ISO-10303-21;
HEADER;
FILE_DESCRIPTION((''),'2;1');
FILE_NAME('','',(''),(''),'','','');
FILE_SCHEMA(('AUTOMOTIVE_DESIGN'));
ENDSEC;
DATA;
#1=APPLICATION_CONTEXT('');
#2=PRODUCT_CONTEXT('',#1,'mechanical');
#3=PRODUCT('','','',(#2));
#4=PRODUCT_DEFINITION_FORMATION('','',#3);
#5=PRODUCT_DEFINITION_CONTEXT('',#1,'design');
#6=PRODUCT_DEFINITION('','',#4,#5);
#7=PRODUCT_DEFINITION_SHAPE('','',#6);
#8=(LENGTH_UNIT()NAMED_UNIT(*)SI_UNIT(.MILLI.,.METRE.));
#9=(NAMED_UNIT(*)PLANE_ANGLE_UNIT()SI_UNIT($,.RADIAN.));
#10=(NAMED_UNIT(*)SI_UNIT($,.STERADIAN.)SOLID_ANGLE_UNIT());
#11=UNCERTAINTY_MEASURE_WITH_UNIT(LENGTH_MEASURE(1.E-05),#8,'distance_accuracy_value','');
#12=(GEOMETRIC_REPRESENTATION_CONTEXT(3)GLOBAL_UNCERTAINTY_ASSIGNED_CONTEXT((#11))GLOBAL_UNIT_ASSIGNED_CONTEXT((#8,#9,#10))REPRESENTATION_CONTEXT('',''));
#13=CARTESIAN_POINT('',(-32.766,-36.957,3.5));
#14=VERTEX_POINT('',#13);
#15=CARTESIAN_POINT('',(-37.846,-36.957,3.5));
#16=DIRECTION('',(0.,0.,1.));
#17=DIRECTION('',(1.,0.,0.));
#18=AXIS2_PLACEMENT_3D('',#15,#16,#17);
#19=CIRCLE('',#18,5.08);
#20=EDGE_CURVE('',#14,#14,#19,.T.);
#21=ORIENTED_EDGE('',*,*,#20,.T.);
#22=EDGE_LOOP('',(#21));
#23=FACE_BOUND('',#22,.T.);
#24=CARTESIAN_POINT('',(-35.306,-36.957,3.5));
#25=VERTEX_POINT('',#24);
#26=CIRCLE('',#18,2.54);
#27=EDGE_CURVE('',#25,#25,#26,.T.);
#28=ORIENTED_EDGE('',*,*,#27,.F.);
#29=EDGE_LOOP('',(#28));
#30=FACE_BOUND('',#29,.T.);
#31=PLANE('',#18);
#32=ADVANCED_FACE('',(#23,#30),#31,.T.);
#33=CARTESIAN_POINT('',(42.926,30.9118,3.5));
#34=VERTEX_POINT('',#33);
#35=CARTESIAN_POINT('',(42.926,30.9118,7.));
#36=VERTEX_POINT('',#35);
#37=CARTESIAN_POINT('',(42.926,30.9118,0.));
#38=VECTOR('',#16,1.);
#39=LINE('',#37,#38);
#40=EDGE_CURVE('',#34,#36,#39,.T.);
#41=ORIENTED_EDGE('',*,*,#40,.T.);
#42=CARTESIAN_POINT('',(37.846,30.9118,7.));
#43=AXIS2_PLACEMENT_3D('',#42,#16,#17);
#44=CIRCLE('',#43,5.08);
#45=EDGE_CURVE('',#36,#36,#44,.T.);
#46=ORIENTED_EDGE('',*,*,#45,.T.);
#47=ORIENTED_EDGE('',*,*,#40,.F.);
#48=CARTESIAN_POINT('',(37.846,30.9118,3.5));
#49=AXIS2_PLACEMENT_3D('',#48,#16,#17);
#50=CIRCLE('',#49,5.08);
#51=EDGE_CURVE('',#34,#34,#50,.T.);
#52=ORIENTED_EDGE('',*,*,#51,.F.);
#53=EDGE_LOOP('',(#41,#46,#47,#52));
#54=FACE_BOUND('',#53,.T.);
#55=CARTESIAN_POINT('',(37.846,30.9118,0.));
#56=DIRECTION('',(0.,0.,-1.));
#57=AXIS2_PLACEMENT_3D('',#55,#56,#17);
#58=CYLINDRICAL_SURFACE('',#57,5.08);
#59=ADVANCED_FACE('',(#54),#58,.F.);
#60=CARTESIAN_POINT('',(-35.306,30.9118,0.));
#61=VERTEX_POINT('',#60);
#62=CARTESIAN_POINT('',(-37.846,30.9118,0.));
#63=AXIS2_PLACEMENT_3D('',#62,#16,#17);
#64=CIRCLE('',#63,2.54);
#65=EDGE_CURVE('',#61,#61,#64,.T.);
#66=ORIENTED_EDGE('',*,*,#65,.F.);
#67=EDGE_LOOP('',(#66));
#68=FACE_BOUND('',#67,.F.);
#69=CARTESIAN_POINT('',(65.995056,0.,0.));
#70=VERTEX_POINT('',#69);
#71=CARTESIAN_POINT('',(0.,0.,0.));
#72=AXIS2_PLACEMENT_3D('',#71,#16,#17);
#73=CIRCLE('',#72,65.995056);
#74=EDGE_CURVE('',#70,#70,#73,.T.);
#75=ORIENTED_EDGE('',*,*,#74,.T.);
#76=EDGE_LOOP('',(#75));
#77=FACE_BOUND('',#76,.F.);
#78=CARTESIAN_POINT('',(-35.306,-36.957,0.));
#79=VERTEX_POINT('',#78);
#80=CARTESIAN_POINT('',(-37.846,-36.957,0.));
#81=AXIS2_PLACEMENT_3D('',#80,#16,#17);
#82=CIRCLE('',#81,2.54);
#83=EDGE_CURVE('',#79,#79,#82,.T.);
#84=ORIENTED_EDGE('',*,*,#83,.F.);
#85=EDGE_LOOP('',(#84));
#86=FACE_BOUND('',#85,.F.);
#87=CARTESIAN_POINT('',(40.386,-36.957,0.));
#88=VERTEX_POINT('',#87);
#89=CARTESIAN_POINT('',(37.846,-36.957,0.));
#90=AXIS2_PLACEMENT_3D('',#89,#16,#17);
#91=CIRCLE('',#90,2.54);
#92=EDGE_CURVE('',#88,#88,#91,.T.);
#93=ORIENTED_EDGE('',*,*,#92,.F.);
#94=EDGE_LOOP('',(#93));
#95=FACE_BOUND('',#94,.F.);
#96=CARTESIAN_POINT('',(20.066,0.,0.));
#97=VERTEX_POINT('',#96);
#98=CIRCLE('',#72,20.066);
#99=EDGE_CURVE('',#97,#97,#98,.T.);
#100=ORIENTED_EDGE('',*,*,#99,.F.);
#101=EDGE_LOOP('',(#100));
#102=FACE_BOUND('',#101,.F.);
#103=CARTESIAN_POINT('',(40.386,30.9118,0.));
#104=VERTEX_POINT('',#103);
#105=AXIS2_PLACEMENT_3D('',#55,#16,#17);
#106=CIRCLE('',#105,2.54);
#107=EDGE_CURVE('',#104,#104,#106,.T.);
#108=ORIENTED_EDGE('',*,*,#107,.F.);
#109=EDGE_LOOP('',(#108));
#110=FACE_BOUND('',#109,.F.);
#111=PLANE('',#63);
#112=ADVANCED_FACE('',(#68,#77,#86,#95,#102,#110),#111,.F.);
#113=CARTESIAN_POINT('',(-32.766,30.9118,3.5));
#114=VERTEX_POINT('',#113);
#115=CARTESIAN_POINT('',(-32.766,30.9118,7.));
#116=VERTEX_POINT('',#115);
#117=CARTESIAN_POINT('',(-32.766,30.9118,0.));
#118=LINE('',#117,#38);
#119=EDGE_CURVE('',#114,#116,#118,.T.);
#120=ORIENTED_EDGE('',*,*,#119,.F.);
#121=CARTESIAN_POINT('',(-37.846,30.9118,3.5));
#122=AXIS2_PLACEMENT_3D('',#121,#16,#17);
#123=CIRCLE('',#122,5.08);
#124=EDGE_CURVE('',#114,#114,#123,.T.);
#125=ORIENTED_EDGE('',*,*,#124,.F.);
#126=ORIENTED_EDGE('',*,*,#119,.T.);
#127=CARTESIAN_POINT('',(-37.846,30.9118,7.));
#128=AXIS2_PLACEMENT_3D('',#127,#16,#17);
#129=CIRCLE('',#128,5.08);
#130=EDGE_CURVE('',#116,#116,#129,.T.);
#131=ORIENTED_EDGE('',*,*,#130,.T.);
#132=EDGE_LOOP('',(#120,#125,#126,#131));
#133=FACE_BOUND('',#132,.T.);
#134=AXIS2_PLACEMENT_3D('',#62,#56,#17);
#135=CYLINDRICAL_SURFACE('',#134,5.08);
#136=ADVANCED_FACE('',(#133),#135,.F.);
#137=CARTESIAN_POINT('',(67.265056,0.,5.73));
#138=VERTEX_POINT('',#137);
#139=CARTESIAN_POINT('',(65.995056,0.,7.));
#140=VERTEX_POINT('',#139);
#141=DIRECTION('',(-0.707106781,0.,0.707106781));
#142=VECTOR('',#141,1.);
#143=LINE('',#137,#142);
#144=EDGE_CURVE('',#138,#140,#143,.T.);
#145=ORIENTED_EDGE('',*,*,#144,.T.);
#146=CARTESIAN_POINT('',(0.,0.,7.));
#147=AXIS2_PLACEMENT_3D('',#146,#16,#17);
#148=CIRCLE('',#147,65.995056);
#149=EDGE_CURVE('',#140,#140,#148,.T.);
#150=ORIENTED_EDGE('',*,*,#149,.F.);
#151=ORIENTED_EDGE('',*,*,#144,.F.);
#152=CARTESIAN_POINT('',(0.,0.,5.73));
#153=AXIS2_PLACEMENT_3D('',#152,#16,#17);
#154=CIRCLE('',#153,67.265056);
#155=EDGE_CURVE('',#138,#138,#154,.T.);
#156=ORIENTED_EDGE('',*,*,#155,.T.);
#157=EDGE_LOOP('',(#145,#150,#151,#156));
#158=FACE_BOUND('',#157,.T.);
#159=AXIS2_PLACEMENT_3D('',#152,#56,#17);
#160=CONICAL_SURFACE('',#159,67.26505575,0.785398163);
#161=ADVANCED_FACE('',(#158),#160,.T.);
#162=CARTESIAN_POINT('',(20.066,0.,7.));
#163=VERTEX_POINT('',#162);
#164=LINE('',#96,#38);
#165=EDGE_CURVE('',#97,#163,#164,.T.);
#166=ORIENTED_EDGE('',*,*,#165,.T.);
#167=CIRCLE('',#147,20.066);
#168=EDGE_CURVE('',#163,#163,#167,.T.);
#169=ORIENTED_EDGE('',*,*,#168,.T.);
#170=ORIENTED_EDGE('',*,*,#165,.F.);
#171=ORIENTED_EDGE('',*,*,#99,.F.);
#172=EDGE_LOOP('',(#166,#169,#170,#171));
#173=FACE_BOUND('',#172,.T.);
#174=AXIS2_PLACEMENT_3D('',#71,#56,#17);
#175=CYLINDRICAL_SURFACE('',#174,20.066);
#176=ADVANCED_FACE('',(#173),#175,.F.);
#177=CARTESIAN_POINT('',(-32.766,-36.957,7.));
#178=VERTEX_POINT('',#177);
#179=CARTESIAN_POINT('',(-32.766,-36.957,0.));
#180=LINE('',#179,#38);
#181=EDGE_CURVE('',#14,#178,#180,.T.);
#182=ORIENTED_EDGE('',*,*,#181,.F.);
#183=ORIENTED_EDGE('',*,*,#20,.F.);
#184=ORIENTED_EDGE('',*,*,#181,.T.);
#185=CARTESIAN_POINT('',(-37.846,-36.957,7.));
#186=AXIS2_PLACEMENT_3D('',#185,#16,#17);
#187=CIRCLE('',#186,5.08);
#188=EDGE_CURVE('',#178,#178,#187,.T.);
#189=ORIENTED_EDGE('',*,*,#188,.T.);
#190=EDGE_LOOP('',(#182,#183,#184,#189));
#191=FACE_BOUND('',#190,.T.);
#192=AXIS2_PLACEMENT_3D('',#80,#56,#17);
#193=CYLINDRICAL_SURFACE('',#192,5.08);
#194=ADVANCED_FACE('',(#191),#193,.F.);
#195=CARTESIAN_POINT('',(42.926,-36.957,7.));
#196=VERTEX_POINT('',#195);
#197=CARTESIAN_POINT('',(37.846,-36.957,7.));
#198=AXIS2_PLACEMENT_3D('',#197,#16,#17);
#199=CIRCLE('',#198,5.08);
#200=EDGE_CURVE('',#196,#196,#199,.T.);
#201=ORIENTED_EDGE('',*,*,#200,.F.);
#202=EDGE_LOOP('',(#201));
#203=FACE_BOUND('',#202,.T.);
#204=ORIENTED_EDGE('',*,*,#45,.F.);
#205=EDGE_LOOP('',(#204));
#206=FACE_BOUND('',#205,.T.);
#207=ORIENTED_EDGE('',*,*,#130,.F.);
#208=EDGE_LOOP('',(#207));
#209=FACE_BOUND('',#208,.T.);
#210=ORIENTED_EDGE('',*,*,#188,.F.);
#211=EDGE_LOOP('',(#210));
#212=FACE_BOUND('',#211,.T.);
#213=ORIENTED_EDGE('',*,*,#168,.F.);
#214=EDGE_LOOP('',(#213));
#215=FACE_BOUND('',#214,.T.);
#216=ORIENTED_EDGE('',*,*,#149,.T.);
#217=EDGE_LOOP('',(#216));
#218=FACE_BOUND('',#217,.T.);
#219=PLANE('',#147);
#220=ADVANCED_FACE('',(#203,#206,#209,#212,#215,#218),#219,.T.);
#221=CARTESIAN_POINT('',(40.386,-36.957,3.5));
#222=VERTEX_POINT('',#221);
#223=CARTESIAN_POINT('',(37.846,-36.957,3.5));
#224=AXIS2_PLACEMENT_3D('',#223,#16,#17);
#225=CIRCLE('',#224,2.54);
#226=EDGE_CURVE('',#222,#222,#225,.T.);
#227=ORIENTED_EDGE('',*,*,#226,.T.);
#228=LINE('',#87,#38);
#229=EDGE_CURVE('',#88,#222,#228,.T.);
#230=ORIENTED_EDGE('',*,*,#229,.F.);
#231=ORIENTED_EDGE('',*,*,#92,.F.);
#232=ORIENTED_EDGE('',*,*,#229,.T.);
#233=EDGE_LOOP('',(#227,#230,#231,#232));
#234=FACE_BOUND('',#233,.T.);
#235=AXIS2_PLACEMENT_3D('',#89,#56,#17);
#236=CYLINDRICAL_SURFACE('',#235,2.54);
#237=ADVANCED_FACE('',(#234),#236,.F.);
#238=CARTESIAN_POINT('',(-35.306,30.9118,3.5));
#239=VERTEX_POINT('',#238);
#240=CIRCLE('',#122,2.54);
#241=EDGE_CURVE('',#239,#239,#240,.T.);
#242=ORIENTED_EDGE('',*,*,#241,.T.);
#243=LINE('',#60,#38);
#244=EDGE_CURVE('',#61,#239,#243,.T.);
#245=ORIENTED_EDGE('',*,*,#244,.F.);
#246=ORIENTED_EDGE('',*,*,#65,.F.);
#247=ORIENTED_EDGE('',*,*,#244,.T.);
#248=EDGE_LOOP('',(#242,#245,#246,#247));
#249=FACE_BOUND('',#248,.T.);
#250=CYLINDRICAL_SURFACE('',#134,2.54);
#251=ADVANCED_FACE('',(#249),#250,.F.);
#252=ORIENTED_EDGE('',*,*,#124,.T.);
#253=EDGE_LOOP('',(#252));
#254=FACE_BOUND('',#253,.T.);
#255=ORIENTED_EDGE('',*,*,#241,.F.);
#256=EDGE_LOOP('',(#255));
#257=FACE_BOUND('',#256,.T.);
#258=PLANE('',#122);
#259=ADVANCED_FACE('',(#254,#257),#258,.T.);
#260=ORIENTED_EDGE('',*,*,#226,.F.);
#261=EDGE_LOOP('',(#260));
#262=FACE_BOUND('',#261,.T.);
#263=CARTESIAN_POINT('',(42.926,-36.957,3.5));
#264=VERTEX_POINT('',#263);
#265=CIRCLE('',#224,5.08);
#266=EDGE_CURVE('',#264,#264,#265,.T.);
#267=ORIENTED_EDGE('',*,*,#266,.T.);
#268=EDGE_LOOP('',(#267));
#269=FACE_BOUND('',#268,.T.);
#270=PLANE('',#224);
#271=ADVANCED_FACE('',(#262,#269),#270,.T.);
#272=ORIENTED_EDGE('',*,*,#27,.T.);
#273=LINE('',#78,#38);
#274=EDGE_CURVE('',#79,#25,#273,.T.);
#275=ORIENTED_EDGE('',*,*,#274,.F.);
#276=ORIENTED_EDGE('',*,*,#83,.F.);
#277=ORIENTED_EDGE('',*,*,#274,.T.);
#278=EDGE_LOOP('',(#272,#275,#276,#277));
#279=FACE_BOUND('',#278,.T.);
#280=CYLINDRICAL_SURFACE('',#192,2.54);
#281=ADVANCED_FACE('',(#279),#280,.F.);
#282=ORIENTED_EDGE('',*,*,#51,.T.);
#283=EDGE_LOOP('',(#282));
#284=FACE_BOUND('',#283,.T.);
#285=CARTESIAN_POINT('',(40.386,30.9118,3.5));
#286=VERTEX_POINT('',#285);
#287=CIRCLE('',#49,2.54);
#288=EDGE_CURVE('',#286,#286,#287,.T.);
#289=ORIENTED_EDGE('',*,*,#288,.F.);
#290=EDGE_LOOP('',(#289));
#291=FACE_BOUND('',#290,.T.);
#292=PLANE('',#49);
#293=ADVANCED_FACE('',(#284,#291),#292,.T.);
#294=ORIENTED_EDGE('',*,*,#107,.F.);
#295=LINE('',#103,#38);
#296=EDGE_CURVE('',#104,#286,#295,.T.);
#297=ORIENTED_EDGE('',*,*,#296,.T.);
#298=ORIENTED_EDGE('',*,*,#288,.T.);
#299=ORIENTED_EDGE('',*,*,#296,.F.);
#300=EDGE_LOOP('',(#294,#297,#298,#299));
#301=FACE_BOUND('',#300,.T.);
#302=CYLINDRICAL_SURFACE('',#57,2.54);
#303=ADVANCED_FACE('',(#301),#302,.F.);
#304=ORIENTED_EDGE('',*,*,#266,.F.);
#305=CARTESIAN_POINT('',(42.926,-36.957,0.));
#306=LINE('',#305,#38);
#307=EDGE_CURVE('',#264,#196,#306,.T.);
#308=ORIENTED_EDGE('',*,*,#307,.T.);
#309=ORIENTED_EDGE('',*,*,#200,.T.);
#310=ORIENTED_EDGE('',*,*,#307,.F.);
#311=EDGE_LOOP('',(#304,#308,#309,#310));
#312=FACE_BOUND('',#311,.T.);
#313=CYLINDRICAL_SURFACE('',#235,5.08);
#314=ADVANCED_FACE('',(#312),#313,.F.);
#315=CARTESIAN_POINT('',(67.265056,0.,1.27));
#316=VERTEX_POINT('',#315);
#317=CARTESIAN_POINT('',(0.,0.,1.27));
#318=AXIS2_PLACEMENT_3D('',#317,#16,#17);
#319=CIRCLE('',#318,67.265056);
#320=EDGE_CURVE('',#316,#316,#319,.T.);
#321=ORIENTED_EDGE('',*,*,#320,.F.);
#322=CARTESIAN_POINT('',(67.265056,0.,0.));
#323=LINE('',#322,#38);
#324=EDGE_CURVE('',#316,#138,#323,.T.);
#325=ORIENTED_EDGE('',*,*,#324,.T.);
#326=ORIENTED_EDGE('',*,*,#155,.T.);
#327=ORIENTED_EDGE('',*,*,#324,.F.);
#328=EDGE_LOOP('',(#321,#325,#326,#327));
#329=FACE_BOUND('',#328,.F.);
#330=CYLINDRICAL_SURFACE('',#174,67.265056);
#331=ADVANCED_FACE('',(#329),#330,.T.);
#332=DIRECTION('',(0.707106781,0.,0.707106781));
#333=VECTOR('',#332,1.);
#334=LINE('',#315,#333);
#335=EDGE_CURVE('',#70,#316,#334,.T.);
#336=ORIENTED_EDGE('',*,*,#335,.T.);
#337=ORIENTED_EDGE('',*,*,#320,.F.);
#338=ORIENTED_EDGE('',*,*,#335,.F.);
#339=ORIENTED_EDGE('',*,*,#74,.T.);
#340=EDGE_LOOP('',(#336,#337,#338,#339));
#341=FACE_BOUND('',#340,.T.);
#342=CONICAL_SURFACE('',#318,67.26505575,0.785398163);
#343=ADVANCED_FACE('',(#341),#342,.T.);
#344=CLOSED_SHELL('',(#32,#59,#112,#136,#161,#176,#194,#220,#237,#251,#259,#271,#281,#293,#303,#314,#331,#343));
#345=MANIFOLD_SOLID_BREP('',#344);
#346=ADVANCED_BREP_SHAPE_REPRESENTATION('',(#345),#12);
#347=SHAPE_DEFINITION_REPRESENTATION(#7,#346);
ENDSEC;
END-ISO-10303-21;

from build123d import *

# Parameters (mm, degrees)
F2_R     = 67.2650557496
F2_R_2   = 5.08
F2_R_3   = 20.066
F3_DEPTH = 7
F1_R     = 5.08
F1_R_2   = 2.54
F4_DEPTH = 3.5
F5_SIZE  = 1.27


with BuildPart() as f3:
    # F2 (on Top) → F3 (new body)
    with BuildSketch(Plane.XY):
        Circle(F2_R)
        with Locations((-37.846, -36.957)):
            Circle(F2_R_2, mode=Mode.SUBTRACT)
        with Locations((37.846, -36.957)):
            Circle(F2_R_2, mode=Mode.SUBTRACT)
        with Locations((-37.846, 30.9118)):
            Circle(F2_R_2, mode=Mode.SUBTRACT)
        Circle(F2_R_3, mode=Mode.SUBTRACT)
        with Locations((37.846, 30.9118)):
            Circle(F2_R_2, mode=Mode.SUBTRACT)
    extrude(amount=F3_DEPTH)

    # F1 (on Top) → F4 (join)
    with BuildSketch(Plane.XY):
        with Locations((-37.846, 30.9118)):
            Circle(F1_R)
        with Locations((-37.846, 30.9118)):
            Circle(F1_R_2, mode=Mode.SUBTRACT)
        with Locations((37.846, 30.9118)):
            Circle(F1_R)
        with Locations((37.846, 30.9118)):
            Circle(F1_R_2, mode=Mode.SUBTRACT)
        with Locations((37.846, -36.957)):
            Circle(F1_R)
        with Locations((37.846, -36.957)):
            Circle(F1_R_2, mode=Mode.SUBTRACT)
        with Locations((-37.846, -36.957)):
            Circle(F1_R)
        with Locations((-37.846, -36.957)):
            Circle(F1_R_2, mode=Mode.SUBTRACT)
    extrude(amount=F4_DEPTH)

    # F5
    f5_edges = [f3.edges().sort_by_distance(p)[0] for p in [
        (-67.265056, 0, 0),
        (-67.265056, 0, 7),
    ]]
    chamfer(f5_edges, length=F5_SIZE)


solid = f3.part
